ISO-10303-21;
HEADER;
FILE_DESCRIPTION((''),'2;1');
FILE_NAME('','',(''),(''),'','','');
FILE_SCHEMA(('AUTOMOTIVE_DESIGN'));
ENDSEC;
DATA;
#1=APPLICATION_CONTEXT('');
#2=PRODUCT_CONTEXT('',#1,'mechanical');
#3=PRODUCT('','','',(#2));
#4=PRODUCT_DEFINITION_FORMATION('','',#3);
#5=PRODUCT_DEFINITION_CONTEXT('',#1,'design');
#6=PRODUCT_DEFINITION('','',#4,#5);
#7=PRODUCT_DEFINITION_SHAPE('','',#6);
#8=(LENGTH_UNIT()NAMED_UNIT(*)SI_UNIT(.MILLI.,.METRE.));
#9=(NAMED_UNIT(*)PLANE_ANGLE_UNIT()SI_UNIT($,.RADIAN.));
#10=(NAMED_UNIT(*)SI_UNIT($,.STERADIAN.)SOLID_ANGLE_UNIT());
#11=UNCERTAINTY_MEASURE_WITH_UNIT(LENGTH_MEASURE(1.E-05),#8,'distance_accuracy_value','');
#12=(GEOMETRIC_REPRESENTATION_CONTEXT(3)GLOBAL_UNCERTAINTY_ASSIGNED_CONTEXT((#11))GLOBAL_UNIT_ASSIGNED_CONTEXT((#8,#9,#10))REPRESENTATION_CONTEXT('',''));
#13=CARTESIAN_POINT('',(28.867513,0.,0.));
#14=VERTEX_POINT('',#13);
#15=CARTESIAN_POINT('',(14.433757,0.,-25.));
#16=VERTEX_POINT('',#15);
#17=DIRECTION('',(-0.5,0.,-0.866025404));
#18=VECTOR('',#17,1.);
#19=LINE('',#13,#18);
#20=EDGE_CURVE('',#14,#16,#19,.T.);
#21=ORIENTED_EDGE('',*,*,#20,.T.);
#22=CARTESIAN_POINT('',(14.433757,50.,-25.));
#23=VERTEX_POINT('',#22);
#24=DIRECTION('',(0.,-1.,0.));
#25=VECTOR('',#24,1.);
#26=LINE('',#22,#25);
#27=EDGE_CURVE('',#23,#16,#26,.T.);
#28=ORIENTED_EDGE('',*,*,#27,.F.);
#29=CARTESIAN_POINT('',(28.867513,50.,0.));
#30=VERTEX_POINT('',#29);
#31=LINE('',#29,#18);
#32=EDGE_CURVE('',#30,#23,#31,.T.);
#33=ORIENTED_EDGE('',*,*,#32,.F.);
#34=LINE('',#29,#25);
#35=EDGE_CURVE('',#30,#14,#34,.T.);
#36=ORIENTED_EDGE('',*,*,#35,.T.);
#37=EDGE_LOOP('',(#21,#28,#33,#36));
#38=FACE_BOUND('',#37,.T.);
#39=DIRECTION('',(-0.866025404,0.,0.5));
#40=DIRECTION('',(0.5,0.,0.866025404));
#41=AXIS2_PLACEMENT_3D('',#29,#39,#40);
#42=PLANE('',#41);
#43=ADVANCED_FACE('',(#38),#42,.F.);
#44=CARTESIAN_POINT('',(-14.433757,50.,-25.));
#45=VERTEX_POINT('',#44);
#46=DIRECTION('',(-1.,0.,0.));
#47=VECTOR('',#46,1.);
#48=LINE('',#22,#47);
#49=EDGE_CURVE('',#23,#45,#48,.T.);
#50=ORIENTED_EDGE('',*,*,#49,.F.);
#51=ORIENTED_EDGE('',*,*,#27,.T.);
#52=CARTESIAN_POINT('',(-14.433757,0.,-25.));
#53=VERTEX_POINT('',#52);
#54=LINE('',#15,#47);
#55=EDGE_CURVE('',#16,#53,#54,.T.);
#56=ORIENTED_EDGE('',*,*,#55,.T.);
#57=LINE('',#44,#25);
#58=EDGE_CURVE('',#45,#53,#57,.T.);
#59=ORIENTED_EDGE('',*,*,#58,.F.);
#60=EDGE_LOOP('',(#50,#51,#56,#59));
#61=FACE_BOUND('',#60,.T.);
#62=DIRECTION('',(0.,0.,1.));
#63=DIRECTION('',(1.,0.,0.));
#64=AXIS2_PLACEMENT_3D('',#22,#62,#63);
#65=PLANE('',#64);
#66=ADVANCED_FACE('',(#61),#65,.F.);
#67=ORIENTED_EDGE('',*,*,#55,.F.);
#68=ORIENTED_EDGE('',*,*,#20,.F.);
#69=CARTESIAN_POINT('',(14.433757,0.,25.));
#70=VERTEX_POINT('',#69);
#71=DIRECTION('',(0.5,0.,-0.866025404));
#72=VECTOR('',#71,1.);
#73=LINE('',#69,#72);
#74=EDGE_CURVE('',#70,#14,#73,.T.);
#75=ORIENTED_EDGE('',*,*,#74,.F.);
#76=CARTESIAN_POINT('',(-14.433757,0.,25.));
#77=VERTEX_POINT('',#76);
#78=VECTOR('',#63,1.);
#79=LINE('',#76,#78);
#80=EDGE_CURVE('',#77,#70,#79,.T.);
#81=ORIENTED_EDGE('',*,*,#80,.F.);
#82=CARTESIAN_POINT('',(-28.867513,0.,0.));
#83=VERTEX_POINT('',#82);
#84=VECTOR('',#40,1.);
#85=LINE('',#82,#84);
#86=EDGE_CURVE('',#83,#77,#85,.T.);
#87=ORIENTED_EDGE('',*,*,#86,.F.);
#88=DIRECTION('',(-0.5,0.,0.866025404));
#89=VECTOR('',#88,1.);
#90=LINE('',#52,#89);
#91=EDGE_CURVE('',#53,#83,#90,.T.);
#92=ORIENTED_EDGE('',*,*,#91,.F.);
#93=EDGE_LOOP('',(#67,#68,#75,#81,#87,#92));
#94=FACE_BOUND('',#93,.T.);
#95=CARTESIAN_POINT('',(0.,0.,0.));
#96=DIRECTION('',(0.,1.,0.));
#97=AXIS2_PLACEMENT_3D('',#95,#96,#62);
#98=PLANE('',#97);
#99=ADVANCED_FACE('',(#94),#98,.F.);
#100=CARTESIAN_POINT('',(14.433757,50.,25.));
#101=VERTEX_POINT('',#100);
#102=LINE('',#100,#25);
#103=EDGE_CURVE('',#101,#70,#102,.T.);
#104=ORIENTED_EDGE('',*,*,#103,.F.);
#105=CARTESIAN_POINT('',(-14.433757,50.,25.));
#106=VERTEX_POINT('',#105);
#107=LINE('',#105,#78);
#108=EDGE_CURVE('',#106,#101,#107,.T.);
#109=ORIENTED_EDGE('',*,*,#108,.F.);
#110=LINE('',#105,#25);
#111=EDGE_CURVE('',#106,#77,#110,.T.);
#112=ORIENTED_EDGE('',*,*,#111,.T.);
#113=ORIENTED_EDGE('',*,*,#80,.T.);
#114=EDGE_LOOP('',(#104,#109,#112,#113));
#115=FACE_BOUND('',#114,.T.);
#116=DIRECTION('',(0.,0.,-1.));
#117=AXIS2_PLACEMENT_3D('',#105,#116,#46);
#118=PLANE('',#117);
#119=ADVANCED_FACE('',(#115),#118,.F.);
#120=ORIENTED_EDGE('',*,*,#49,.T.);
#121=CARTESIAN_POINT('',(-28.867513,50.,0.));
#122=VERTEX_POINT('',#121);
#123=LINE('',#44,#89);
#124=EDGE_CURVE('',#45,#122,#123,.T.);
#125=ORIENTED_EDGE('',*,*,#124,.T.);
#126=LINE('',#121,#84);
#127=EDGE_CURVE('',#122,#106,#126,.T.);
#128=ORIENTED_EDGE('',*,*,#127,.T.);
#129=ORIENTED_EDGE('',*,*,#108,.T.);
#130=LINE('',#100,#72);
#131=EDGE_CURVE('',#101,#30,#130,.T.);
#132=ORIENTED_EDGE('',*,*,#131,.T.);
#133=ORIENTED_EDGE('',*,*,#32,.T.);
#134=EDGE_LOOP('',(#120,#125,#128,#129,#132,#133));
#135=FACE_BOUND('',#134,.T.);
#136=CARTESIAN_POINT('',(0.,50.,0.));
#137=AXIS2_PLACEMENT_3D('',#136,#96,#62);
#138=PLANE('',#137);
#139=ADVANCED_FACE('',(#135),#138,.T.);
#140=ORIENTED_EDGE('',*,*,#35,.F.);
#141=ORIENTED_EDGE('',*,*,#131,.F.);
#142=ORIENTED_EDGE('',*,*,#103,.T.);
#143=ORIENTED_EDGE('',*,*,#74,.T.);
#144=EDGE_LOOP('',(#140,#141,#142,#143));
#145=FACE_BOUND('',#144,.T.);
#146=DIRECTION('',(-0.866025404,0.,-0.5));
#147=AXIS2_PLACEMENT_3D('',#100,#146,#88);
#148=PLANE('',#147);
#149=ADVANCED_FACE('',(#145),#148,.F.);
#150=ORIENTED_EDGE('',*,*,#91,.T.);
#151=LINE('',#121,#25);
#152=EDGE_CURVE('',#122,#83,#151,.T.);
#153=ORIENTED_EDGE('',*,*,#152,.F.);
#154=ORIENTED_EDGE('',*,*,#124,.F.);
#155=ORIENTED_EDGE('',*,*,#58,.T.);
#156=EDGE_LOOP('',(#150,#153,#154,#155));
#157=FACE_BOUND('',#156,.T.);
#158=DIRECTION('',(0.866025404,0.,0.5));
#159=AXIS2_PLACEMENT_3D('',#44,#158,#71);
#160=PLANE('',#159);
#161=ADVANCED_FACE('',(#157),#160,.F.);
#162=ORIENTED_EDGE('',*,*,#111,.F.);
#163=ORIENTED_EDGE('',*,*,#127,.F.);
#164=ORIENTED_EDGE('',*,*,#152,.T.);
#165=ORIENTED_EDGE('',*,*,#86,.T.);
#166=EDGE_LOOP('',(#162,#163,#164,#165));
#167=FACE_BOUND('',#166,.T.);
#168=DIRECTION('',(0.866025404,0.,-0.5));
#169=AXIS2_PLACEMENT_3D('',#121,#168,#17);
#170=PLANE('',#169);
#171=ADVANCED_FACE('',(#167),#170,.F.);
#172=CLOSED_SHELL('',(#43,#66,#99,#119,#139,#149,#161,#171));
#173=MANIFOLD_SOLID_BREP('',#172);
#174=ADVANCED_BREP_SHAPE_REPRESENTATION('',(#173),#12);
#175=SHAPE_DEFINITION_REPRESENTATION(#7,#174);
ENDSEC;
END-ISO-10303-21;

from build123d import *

# Parameters (mm, degrees)
EXTRUDE_1_DEPTH = 50


with BuildPart() as part:
    # 草圖1 → 填料-伸長1 (new body)
    with BuildSketch(Plane(origin=(0, 0, 0), x_dir=(1, 0, 0), z_dir=(0, 1, 0))):
        Polygon((28.867513459, 0), (14.43375673, 25), (-14.43375673, 25), (-28.867513459, 0), (-14.43375673, -25), (14.43375673, -25), align=None)
    extrude(amount=EXTRUDE_1_DEPTH)


solid = part.part
